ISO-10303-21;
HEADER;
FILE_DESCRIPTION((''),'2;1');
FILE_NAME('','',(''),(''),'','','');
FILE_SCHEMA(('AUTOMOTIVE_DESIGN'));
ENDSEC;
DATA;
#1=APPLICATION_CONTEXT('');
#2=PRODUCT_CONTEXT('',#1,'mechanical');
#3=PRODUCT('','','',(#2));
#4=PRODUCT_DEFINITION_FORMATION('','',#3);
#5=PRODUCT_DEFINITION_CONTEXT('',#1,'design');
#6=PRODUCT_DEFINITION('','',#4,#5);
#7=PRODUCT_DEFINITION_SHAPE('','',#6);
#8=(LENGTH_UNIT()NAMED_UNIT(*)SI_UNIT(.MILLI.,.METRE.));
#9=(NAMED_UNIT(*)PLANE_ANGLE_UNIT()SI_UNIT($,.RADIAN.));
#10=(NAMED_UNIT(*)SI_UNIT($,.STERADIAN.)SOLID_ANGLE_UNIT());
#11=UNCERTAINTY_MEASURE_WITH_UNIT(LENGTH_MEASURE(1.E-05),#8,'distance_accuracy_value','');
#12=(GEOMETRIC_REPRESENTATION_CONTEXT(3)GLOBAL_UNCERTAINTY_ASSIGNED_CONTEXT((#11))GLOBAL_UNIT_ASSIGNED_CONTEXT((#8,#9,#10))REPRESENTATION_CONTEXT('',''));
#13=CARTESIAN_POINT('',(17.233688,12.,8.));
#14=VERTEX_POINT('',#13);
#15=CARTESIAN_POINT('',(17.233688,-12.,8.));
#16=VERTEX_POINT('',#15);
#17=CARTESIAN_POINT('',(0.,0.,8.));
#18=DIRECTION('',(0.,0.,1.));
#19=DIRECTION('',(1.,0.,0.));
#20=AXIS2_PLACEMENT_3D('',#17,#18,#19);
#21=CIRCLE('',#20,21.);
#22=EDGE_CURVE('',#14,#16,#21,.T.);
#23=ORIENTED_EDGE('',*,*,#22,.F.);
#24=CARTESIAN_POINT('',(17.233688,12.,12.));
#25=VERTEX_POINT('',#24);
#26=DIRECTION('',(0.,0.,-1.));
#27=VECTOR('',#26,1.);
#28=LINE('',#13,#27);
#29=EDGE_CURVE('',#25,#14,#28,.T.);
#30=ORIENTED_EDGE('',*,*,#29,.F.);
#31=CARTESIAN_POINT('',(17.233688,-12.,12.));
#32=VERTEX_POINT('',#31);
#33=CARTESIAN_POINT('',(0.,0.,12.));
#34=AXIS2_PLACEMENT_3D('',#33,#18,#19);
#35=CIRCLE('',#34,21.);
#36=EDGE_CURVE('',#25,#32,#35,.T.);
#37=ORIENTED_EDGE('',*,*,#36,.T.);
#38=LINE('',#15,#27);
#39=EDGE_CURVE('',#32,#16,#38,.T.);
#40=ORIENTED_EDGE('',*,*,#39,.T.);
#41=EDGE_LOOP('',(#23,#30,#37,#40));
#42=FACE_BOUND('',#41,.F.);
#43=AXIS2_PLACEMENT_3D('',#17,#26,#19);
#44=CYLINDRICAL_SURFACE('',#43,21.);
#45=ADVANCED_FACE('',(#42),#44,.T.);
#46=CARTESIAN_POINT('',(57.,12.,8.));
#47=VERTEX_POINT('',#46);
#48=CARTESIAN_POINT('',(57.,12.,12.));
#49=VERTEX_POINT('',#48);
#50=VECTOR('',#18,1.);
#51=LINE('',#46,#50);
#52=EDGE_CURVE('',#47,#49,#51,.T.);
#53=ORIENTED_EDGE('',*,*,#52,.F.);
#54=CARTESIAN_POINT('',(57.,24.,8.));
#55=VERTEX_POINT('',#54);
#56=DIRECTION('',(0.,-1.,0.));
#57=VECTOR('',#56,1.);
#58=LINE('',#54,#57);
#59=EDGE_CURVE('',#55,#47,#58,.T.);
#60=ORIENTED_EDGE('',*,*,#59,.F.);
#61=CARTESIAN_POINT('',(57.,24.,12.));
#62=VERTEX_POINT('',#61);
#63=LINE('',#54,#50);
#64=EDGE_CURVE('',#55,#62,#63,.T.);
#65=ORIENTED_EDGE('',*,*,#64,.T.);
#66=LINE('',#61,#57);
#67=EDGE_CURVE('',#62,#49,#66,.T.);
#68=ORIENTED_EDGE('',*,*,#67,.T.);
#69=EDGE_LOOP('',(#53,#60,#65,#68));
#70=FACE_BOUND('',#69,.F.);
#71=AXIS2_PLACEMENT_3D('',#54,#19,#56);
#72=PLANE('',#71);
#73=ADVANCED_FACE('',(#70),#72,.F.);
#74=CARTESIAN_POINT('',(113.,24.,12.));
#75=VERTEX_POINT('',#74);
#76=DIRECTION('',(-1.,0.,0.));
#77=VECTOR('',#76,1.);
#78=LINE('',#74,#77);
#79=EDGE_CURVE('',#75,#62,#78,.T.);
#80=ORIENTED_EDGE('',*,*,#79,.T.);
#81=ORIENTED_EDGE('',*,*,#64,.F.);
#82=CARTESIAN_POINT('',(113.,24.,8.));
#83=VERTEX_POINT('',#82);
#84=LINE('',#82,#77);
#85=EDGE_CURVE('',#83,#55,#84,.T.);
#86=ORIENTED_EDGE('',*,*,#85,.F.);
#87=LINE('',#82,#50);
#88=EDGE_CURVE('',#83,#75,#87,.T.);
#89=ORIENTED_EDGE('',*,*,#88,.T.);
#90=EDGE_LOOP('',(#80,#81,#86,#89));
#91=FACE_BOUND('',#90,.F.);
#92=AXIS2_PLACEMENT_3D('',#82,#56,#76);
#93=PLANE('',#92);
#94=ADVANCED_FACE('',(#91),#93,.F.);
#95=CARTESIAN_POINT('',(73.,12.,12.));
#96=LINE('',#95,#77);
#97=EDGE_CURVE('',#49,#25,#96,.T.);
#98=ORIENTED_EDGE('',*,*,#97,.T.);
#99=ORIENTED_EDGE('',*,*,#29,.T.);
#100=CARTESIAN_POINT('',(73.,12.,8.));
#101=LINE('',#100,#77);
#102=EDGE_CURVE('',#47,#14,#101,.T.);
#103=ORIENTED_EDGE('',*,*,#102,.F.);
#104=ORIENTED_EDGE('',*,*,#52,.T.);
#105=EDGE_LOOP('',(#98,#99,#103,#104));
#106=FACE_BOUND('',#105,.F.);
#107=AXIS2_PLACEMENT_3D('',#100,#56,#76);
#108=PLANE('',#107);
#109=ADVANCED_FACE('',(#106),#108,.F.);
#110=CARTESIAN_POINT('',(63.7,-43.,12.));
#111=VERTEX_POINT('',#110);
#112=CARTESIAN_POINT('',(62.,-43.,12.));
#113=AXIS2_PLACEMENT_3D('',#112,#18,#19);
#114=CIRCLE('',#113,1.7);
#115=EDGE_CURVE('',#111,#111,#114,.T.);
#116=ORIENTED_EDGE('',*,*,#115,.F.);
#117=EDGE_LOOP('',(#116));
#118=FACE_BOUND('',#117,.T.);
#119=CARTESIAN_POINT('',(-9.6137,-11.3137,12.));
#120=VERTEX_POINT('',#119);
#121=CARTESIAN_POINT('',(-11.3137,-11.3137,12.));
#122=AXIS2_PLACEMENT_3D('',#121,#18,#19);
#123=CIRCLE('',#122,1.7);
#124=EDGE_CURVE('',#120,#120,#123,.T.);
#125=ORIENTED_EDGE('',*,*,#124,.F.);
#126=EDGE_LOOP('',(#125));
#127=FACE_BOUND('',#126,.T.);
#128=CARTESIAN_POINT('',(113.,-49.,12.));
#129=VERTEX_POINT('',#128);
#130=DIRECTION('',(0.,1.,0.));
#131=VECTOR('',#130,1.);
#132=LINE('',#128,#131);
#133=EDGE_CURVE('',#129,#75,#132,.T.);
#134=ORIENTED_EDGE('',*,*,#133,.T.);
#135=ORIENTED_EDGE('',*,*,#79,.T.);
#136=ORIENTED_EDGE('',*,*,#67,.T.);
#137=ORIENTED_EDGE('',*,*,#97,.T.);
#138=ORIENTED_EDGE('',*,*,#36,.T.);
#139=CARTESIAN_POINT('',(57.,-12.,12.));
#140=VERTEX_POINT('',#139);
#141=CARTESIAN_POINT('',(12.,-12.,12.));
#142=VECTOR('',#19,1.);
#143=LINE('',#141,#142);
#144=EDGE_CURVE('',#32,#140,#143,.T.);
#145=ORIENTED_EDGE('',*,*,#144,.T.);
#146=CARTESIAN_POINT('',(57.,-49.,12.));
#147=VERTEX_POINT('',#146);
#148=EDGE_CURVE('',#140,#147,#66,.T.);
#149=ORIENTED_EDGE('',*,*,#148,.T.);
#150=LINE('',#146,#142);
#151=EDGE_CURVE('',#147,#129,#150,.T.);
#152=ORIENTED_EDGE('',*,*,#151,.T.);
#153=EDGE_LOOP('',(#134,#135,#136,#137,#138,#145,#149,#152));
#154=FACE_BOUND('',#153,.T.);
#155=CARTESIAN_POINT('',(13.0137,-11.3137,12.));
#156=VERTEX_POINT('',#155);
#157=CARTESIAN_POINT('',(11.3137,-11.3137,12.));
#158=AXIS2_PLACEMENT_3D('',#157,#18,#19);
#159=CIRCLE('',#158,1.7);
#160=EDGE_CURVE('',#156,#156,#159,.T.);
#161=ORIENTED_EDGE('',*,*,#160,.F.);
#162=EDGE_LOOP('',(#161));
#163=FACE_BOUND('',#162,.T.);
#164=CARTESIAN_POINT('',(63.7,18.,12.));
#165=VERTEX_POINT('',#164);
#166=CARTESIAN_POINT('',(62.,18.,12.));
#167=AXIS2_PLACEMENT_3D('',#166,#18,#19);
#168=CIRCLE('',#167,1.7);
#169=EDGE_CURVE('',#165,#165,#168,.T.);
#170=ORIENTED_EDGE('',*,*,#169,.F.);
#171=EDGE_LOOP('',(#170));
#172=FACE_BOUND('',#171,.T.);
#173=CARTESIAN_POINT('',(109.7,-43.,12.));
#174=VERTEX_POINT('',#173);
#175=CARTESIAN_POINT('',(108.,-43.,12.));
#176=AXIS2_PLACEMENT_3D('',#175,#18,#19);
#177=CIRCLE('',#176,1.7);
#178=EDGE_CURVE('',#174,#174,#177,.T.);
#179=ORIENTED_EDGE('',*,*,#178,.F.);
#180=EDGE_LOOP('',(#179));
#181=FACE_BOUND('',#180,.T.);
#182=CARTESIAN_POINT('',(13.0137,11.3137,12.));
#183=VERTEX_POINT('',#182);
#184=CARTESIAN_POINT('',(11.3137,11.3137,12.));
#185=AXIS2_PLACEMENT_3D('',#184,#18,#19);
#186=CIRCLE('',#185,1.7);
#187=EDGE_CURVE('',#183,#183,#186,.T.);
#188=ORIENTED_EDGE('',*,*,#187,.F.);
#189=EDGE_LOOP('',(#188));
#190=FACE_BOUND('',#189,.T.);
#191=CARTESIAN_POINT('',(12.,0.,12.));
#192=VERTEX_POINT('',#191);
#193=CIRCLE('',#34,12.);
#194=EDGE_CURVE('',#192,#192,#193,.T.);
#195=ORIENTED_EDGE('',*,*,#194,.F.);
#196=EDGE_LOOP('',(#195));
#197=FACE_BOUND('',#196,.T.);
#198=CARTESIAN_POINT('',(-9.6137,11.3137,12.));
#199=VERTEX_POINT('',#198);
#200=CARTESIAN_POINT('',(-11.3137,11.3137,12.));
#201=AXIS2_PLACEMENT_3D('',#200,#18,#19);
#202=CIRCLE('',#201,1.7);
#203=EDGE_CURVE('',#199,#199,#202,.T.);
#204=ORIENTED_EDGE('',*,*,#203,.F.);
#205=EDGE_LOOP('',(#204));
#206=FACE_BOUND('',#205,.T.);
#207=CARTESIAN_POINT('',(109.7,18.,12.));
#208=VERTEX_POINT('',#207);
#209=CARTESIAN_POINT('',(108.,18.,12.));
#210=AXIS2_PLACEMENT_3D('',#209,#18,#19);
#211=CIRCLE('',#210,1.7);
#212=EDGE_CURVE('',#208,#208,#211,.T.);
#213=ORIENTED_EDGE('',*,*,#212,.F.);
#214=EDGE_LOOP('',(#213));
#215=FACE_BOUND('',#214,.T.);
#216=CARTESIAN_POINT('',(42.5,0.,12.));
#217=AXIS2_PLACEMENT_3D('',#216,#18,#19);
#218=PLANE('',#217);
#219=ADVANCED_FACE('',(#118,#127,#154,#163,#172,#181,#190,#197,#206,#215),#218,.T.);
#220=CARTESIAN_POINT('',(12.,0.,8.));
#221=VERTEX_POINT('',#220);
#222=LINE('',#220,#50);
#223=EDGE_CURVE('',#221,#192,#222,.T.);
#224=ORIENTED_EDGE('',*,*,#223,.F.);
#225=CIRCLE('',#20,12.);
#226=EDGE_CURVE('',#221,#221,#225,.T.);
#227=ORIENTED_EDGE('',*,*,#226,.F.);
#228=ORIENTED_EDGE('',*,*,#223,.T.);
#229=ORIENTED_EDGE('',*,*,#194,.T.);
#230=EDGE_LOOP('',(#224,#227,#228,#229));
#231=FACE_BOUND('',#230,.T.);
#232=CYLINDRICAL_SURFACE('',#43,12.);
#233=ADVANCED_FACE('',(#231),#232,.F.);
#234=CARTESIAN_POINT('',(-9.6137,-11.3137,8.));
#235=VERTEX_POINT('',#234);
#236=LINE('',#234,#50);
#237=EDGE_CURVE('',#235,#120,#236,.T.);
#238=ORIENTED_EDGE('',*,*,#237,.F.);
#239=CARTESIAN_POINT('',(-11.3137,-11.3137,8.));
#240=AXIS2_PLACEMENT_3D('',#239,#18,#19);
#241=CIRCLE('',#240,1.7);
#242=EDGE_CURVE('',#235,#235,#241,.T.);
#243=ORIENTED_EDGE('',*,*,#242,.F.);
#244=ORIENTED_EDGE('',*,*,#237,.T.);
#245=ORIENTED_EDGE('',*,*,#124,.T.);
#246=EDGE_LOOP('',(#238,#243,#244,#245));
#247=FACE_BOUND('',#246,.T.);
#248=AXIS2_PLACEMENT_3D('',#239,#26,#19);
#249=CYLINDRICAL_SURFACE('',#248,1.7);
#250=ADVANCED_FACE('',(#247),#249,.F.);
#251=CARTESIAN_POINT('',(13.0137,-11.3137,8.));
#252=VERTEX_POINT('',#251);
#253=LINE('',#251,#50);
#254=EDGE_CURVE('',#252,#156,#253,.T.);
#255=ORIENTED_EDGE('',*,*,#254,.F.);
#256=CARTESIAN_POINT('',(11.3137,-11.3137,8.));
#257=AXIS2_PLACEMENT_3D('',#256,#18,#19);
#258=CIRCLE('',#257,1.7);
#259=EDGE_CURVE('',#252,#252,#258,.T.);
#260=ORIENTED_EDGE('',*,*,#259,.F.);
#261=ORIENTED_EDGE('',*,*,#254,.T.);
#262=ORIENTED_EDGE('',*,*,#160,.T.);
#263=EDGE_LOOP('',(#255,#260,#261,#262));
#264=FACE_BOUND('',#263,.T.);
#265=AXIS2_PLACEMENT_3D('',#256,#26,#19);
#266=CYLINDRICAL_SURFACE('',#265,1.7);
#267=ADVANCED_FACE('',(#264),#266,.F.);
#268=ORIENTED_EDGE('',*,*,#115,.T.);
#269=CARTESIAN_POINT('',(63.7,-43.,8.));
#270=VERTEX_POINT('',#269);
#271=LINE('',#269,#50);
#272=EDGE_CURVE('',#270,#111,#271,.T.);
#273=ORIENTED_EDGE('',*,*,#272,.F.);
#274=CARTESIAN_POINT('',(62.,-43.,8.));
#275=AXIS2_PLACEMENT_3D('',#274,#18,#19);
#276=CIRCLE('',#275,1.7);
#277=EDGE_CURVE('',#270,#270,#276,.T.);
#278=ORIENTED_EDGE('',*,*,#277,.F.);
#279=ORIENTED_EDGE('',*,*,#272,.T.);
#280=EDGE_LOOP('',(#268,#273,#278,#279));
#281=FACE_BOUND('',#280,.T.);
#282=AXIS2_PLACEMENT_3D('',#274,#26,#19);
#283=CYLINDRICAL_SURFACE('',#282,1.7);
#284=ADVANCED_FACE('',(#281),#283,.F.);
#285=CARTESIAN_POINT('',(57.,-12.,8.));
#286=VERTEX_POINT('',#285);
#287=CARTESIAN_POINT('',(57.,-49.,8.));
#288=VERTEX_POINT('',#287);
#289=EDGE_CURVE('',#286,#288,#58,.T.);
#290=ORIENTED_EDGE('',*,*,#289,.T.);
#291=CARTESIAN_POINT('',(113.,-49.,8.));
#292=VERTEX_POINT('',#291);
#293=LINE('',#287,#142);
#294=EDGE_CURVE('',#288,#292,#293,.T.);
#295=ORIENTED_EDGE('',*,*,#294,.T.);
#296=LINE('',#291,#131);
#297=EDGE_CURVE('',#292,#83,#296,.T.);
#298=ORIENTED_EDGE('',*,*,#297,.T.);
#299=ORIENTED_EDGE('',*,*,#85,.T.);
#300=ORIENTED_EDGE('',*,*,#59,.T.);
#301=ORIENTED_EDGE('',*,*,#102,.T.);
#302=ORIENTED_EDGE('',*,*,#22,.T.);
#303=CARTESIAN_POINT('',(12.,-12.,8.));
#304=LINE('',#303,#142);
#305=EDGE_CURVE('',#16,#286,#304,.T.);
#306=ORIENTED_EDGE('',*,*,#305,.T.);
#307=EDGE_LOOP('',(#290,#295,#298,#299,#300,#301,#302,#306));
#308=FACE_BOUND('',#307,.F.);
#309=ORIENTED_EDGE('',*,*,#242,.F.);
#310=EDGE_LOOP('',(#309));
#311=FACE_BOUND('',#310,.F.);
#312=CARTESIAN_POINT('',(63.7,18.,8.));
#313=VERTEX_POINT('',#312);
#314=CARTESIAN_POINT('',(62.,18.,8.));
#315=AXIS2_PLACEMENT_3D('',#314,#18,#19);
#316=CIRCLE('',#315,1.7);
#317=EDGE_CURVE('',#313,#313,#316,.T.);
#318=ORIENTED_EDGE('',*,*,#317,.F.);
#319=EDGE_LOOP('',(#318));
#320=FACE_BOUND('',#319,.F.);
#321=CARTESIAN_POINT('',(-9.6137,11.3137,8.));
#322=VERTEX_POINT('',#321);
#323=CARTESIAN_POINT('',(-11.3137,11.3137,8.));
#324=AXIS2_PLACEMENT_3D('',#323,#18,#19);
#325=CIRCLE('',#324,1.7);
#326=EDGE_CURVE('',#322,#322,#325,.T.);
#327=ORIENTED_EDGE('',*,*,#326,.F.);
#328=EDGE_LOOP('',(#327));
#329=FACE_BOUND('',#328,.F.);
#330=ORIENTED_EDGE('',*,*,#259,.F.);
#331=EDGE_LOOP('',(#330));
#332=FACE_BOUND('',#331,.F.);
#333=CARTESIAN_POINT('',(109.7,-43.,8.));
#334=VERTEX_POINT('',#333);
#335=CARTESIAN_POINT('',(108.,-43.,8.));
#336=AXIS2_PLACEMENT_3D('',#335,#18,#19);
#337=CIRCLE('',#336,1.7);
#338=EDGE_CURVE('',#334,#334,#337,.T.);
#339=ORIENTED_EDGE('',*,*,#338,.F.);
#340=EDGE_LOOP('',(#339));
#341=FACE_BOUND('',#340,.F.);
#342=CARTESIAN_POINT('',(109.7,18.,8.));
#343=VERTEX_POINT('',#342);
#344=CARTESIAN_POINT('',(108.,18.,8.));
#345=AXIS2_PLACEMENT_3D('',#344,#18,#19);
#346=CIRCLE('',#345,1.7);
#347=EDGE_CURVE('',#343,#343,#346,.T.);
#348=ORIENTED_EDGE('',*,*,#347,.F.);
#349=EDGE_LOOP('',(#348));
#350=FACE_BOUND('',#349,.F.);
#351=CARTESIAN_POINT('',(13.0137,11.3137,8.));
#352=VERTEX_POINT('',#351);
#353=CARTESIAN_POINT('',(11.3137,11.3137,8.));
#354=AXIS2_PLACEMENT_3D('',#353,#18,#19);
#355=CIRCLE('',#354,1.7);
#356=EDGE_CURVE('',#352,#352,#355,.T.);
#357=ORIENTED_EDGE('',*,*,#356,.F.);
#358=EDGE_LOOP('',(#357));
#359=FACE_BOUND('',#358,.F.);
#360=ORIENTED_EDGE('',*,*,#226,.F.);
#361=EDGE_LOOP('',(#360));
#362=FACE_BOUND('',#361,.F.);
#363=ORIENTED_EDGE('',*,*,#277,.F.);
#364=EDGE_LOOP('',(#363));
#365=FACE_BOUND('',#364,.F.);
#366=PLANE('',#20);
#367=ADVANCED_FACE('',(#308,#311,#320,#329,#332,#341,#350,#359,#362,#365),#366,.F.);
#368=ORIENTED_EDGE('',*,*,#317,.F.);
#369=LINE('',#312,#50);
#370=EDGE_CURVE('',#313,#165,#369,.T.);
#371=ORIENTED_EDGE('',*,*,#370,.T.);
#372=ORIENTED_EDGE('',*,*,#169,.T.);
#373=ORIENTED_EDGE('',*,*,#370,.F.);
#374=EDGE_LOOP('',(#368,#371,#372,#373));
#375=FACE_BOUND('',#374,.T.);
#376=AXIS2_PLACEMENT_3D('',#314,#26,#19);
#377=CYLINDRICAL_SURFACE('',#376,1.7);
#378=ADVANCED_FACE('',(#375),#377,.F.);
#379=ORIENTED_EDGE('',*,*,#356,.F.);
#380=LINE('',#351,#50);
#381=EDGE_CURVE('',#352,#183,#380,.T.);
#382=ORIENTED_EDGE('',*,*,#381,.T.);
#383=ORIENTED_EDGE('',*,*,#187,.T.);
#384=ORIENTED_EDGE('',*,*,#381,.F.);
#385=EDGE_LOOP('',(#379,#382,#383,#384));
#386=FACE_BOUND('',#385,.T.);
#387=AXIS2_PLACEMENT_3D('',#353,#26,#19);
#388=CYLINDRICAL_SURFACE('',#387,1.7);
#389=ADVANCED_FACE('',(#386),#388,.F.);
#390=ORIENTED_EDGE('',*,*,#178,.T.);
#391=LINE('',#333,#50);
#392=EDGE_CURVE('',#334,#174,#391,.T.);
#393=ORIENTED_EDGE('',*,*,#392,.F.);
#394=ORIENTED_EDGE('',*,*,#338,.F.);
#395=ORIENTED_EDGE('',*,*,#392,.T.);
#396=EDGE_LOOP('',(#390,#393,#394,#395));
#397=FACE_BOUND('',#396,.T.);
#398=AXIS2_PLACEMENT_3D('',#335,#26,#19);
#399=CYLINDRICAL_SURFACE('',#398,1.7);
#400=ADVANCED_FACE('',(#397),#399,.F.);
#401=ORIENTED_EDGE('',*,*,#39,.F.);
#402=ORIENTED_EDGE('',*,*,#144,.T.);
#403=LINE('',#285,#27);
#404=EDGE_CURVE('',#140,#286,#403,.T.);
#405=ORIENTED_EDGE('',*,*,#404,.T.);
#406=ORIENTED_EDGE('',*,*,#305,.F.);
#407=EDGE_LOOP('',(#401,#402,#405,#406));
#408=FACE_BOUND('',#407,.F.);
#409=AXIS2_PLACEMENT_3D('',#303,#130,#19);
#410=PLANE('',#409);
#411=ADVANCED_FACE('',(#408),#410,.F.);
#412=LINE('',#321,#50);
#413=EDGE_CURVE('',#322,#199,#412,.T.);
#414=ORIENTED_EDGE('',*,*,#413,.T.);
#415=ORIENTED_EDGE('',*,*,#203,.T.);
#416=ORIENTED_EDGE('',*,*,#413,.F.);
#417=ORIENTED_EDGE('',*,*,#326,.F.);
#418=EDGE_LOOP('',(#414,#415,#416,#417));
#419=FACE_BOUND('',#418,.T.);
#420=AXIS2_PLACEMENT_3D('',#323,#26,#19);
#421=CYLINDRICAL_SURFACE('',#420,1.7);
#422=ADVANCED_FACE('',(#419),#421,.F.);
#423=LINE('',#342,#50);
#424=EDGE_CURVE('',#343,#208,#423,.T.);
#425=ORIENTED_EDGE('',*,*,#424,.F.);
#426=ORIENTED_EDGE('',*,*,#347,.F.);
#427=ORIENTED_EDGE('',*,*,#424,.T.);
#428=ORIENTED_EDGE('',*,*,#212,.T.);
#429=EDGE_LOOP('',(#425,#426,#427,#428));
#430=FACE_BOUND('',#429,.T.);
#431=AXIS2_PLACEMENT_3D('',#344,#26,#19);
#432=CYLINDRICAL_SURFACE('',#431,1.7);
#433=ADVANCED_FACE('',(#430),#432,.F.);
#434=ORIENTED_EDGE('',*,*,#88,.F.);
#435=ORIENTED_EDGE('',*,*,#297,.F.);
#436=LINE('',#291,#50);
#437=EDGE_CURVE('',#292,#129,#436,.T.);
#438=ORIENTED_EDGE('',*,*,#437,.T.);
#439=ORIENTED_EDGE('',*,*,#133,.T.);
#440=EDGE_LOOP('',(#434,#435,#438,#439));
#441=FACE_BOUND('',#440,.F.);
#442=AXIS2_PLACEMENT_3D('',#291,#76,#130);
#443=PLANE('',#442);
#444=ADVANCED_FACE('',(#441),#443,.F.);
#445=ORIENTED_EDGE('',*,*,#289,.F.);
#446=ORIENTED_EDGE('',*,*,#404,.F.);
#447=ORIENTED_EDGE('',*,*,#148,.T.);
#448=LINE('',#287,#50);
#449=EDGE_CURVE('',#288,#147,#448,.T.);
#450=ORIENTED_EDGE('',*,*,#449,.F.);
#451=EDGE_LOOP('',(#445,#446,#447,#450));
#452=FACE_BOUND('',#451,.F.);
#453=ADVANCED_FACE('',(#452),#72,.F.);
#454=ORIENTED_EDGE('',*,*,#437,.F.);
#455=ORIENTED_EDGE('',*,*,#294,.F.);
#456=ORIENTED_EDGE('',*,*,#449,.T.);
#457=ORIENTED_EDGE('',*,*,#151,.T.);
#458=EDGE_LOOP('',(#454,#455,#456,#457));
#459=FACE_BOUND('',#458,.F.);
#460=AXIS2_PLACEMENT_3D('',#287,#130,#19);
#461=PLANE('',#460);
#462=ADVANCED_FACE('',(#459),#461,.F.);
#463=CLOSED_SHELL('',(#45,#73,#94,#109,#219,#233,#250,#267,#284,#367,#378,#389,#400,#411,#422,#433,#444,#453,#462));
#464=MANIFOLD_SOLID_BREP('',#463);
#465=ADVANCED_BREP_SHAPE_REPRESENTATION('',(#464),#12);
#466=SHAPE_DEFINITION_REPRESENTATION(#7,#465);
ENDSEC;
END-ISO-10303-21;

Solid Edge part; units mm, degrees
sketch "Sketch1" plane through (0, 0, 8) normal (0, 0, 1) x (1, 0, 0)
  circle A0 centre (0, 0) radius 21
  circle A1 centre (0, 0) radius 12
  circle A2 centre (11.3137, 11.3137) radius 1.7
  circle A3 centre (-11.3137, 11.3137) radius 1.7
  circle A4 centre (-11.3137, -11.3137) radius 1.7
  circle A5 centre (11.3137, -11.3137) radius 1.7
extrude "ExtrudedProtrusion_1" add sketch "Sketch1" along normal blind 4
sketch "Sketch2" plane through (0, 0, 8) normal (0, 0, 1) x (1, 0, 0)
  line L0 (12, -12) -> (73, -12)
  line L1 (73, -12) -> (73, 12)
  line L2 (73, 12) -> (12, 12)
  line L3 (12, 12) -> (12, -12)
extrude "ExtrudedProtrusion_2" add sketch "Sketch2" along normal blind 4
sketch "Sketch3" plane through (0, 0, 8) normal (0, 0, 1) x (1, 0, 0)
  line L0 (57, -49) -> (113, -49)
  line L1 (113, -49) -> (113, 24)
  line L2 (113, 24) -> (57, 24)
  line L3 (57, 24) -> (57, -49)
  circle A0 centre (62, -43) radius 1.7
  circle A1 centre (108, -43) radius 1.7
  circle A2 centre (62, 18) radius 1.7
  circle A3 centre (108, 18) radius 1.7
extrude "ExtrudedProtrusion_3" add sketch "Sketch3" along normal blind 4
sketch "Sketch4" plane through (0, 0, 8) normal (0, 0, 1) x (1, 0, 0)
  circle A0 centre (11.3137, 11.3137) radius 1.7
  circle A1 centre (-11.3137, 11.3137) radius 1.7
  circle A2 centre (-11.3137, -11.3137) radius 1.7
  circle A3 centre (11.3137, -11.3137) radius 1.7
  circle A4 centre (62, -43) radius 1.7
  circle A5 centre (108, -43) radius 1.7
  circle A6 centre (62, 18) radius 1.7
  circle A7 centre (108, 18) radius 1.7
extrude "ExtrudedCutout_1" cut sketch "Sketch4" along normal blind 4
